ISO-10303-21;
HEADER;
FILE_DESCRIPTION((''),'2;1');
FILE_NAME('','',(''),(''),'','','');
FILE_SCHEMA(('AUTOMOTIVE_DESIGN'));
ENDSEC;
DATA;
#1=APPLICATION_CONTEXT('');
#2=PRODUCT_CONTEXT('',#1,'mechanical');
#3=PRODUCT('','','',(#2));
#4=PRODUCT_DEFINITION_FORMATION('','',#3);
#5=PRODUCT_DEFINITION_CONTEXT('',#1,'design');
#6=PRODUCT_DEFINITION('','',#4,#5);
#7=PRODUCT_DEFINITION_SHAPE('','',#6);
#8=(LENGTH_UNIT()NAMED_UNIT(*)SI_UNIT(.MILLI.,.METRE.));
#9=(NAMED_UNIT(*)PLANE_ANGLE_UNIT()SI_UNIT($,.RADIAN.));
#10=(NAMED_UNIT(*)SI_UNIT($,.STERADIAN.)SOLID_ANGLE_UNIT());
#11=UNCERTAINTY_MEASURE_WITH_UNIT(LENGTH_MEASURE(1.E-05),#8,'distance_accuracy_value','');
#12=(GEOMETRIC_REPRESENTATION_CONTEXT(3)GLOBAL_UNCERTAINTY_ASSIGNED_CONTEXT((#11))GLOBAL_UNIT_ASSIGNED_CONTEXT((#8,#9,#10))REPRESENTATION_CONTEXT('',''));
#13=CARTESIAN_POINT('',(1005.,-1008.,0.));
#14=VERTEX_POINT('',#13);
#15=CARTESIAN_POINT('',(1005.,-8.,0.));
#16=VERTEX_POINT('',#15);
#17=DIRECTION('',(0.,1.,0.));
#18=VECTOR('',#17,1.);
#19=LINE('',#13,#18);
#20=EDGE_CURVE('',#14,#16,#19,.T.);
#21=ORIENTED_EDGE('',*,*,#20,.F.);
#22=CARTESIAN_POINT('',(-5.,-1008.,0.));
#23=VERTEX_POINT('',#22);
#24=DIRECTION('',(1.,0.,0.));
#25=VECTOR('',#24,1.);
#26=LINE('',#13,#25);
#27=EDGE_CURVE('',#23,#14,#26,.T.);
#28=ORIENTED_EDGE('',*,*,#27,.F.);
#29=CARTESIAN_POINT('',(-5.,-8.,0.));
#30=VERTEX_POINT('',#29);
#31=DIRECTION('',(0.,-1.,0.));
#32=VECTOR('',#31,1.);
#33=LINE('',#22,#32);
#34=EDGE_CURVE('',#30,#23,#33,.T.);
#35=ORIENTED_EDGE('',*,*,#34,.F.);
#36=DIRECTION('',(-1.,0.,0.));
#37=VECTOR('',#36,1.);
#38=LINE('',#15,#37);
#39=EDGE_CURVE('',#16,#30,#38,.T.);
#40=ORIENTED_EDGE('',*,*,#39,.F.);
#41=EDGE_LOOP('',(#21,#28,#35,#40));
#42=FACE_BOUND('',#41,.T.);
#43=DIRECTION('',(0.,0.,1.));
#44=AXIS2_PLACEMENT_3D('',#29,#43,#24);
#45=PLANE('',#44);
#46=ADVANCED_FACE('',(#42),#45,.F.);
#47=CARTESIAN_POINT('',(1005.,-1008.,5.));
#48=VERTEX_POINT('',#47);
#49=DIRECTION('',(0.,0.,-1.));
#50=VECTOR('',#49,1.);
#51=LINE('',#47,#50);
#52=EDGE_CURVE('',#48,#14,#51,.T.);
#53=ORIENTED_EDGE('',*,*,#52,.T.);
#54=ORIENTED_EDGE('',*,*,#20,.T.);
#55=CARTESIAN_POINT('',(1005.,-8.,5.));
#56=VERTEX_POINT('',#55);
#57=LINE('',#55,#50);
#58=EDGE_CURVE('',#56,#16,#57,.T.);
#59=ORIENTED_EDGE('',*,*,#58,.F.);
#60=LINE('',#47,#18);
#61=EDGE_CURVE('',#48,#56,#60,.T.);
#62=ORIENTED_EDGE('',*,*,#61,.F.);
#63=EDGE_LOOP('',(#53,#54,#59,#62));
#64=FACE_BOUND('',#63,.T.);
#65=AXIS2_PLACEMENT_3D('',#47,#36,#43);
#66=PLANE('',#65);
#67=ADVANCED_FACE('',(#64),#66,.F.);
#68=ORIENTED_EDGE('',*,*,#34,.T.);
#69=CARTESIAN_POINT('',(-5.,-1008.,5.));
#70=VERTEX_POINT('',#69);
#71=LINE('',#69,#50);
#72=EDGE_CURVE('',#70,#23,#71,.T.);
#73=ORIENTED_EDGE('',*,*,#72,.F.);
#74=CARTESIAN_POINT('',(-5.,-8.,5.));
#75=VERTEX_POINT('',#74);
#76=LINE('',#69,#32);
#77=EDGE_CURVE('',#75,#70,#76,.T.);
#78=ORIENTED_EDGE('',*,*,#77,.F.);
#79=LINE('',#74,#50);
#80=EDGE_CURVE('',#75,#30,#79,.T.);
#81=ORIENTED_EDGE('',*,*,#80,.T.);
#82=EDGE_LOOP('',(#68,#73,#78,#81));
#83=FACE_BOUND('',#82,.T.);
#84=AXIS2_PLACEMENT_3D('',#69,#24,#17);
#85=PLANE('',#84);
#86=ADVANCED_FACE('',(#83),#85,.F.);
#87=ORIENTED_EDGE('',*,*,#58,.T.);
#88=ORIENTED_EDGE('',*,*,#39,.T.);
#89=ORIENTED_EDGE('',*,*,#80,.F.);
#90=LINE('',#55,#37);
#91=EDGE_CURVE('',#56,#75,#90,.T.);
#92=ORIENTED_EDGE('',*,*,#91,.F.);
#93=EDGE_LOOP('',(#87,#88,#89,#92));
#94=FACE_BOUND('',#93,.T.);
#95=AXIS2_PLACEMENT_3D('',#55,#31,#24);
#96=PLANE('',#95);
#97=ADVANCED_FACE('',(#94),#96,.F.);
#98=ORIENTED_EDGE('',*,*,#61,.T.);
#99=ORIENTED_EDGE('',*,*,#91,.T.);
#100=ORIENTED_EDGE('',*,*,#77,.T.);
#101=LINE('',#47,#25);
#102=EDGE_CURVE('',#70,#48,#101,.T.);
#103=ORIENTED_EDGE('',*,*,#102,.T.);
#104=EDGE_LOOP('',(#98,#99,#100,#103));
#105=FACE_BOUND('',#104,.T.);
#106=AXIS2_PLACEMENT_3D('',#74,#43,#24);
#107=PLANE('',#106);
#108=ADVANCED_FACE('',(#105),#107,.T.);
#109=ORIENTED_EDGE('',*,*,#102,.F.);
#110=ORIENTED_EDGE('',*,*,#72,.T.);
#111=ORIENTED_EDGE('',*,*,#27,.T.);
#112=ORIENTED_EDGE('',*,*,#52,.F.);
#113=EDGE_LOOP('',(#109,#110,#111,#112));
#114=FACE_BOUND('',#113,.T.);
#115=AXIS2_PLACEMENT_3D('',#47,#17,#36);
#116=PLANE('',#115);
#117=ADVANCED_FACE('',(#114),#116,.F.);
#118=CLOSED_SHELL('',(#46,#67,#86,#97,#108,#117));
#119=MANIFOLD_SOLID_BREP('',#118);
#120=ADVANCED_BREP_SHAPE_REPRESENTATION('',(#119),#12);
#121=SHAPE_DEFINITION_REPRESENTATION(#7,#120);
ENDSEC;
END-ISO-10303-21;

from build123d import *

# Parameters (mm, degrees)
SKETCH1_W      = 1010
SKETCH1_H      = 1000
EXTRUDE1_DEPTH = 5


with BuildPart() as part:
    # Sketch1 → Extrude1 (new body)
    with BuildSketch(Plane.XY):
        with Locations((500, -508)):
            Rectangle(SKETCH1_W, SKETCH1_H)
    extrude(amount=EXTRUDE1_DEPTH)


solid = part.part
